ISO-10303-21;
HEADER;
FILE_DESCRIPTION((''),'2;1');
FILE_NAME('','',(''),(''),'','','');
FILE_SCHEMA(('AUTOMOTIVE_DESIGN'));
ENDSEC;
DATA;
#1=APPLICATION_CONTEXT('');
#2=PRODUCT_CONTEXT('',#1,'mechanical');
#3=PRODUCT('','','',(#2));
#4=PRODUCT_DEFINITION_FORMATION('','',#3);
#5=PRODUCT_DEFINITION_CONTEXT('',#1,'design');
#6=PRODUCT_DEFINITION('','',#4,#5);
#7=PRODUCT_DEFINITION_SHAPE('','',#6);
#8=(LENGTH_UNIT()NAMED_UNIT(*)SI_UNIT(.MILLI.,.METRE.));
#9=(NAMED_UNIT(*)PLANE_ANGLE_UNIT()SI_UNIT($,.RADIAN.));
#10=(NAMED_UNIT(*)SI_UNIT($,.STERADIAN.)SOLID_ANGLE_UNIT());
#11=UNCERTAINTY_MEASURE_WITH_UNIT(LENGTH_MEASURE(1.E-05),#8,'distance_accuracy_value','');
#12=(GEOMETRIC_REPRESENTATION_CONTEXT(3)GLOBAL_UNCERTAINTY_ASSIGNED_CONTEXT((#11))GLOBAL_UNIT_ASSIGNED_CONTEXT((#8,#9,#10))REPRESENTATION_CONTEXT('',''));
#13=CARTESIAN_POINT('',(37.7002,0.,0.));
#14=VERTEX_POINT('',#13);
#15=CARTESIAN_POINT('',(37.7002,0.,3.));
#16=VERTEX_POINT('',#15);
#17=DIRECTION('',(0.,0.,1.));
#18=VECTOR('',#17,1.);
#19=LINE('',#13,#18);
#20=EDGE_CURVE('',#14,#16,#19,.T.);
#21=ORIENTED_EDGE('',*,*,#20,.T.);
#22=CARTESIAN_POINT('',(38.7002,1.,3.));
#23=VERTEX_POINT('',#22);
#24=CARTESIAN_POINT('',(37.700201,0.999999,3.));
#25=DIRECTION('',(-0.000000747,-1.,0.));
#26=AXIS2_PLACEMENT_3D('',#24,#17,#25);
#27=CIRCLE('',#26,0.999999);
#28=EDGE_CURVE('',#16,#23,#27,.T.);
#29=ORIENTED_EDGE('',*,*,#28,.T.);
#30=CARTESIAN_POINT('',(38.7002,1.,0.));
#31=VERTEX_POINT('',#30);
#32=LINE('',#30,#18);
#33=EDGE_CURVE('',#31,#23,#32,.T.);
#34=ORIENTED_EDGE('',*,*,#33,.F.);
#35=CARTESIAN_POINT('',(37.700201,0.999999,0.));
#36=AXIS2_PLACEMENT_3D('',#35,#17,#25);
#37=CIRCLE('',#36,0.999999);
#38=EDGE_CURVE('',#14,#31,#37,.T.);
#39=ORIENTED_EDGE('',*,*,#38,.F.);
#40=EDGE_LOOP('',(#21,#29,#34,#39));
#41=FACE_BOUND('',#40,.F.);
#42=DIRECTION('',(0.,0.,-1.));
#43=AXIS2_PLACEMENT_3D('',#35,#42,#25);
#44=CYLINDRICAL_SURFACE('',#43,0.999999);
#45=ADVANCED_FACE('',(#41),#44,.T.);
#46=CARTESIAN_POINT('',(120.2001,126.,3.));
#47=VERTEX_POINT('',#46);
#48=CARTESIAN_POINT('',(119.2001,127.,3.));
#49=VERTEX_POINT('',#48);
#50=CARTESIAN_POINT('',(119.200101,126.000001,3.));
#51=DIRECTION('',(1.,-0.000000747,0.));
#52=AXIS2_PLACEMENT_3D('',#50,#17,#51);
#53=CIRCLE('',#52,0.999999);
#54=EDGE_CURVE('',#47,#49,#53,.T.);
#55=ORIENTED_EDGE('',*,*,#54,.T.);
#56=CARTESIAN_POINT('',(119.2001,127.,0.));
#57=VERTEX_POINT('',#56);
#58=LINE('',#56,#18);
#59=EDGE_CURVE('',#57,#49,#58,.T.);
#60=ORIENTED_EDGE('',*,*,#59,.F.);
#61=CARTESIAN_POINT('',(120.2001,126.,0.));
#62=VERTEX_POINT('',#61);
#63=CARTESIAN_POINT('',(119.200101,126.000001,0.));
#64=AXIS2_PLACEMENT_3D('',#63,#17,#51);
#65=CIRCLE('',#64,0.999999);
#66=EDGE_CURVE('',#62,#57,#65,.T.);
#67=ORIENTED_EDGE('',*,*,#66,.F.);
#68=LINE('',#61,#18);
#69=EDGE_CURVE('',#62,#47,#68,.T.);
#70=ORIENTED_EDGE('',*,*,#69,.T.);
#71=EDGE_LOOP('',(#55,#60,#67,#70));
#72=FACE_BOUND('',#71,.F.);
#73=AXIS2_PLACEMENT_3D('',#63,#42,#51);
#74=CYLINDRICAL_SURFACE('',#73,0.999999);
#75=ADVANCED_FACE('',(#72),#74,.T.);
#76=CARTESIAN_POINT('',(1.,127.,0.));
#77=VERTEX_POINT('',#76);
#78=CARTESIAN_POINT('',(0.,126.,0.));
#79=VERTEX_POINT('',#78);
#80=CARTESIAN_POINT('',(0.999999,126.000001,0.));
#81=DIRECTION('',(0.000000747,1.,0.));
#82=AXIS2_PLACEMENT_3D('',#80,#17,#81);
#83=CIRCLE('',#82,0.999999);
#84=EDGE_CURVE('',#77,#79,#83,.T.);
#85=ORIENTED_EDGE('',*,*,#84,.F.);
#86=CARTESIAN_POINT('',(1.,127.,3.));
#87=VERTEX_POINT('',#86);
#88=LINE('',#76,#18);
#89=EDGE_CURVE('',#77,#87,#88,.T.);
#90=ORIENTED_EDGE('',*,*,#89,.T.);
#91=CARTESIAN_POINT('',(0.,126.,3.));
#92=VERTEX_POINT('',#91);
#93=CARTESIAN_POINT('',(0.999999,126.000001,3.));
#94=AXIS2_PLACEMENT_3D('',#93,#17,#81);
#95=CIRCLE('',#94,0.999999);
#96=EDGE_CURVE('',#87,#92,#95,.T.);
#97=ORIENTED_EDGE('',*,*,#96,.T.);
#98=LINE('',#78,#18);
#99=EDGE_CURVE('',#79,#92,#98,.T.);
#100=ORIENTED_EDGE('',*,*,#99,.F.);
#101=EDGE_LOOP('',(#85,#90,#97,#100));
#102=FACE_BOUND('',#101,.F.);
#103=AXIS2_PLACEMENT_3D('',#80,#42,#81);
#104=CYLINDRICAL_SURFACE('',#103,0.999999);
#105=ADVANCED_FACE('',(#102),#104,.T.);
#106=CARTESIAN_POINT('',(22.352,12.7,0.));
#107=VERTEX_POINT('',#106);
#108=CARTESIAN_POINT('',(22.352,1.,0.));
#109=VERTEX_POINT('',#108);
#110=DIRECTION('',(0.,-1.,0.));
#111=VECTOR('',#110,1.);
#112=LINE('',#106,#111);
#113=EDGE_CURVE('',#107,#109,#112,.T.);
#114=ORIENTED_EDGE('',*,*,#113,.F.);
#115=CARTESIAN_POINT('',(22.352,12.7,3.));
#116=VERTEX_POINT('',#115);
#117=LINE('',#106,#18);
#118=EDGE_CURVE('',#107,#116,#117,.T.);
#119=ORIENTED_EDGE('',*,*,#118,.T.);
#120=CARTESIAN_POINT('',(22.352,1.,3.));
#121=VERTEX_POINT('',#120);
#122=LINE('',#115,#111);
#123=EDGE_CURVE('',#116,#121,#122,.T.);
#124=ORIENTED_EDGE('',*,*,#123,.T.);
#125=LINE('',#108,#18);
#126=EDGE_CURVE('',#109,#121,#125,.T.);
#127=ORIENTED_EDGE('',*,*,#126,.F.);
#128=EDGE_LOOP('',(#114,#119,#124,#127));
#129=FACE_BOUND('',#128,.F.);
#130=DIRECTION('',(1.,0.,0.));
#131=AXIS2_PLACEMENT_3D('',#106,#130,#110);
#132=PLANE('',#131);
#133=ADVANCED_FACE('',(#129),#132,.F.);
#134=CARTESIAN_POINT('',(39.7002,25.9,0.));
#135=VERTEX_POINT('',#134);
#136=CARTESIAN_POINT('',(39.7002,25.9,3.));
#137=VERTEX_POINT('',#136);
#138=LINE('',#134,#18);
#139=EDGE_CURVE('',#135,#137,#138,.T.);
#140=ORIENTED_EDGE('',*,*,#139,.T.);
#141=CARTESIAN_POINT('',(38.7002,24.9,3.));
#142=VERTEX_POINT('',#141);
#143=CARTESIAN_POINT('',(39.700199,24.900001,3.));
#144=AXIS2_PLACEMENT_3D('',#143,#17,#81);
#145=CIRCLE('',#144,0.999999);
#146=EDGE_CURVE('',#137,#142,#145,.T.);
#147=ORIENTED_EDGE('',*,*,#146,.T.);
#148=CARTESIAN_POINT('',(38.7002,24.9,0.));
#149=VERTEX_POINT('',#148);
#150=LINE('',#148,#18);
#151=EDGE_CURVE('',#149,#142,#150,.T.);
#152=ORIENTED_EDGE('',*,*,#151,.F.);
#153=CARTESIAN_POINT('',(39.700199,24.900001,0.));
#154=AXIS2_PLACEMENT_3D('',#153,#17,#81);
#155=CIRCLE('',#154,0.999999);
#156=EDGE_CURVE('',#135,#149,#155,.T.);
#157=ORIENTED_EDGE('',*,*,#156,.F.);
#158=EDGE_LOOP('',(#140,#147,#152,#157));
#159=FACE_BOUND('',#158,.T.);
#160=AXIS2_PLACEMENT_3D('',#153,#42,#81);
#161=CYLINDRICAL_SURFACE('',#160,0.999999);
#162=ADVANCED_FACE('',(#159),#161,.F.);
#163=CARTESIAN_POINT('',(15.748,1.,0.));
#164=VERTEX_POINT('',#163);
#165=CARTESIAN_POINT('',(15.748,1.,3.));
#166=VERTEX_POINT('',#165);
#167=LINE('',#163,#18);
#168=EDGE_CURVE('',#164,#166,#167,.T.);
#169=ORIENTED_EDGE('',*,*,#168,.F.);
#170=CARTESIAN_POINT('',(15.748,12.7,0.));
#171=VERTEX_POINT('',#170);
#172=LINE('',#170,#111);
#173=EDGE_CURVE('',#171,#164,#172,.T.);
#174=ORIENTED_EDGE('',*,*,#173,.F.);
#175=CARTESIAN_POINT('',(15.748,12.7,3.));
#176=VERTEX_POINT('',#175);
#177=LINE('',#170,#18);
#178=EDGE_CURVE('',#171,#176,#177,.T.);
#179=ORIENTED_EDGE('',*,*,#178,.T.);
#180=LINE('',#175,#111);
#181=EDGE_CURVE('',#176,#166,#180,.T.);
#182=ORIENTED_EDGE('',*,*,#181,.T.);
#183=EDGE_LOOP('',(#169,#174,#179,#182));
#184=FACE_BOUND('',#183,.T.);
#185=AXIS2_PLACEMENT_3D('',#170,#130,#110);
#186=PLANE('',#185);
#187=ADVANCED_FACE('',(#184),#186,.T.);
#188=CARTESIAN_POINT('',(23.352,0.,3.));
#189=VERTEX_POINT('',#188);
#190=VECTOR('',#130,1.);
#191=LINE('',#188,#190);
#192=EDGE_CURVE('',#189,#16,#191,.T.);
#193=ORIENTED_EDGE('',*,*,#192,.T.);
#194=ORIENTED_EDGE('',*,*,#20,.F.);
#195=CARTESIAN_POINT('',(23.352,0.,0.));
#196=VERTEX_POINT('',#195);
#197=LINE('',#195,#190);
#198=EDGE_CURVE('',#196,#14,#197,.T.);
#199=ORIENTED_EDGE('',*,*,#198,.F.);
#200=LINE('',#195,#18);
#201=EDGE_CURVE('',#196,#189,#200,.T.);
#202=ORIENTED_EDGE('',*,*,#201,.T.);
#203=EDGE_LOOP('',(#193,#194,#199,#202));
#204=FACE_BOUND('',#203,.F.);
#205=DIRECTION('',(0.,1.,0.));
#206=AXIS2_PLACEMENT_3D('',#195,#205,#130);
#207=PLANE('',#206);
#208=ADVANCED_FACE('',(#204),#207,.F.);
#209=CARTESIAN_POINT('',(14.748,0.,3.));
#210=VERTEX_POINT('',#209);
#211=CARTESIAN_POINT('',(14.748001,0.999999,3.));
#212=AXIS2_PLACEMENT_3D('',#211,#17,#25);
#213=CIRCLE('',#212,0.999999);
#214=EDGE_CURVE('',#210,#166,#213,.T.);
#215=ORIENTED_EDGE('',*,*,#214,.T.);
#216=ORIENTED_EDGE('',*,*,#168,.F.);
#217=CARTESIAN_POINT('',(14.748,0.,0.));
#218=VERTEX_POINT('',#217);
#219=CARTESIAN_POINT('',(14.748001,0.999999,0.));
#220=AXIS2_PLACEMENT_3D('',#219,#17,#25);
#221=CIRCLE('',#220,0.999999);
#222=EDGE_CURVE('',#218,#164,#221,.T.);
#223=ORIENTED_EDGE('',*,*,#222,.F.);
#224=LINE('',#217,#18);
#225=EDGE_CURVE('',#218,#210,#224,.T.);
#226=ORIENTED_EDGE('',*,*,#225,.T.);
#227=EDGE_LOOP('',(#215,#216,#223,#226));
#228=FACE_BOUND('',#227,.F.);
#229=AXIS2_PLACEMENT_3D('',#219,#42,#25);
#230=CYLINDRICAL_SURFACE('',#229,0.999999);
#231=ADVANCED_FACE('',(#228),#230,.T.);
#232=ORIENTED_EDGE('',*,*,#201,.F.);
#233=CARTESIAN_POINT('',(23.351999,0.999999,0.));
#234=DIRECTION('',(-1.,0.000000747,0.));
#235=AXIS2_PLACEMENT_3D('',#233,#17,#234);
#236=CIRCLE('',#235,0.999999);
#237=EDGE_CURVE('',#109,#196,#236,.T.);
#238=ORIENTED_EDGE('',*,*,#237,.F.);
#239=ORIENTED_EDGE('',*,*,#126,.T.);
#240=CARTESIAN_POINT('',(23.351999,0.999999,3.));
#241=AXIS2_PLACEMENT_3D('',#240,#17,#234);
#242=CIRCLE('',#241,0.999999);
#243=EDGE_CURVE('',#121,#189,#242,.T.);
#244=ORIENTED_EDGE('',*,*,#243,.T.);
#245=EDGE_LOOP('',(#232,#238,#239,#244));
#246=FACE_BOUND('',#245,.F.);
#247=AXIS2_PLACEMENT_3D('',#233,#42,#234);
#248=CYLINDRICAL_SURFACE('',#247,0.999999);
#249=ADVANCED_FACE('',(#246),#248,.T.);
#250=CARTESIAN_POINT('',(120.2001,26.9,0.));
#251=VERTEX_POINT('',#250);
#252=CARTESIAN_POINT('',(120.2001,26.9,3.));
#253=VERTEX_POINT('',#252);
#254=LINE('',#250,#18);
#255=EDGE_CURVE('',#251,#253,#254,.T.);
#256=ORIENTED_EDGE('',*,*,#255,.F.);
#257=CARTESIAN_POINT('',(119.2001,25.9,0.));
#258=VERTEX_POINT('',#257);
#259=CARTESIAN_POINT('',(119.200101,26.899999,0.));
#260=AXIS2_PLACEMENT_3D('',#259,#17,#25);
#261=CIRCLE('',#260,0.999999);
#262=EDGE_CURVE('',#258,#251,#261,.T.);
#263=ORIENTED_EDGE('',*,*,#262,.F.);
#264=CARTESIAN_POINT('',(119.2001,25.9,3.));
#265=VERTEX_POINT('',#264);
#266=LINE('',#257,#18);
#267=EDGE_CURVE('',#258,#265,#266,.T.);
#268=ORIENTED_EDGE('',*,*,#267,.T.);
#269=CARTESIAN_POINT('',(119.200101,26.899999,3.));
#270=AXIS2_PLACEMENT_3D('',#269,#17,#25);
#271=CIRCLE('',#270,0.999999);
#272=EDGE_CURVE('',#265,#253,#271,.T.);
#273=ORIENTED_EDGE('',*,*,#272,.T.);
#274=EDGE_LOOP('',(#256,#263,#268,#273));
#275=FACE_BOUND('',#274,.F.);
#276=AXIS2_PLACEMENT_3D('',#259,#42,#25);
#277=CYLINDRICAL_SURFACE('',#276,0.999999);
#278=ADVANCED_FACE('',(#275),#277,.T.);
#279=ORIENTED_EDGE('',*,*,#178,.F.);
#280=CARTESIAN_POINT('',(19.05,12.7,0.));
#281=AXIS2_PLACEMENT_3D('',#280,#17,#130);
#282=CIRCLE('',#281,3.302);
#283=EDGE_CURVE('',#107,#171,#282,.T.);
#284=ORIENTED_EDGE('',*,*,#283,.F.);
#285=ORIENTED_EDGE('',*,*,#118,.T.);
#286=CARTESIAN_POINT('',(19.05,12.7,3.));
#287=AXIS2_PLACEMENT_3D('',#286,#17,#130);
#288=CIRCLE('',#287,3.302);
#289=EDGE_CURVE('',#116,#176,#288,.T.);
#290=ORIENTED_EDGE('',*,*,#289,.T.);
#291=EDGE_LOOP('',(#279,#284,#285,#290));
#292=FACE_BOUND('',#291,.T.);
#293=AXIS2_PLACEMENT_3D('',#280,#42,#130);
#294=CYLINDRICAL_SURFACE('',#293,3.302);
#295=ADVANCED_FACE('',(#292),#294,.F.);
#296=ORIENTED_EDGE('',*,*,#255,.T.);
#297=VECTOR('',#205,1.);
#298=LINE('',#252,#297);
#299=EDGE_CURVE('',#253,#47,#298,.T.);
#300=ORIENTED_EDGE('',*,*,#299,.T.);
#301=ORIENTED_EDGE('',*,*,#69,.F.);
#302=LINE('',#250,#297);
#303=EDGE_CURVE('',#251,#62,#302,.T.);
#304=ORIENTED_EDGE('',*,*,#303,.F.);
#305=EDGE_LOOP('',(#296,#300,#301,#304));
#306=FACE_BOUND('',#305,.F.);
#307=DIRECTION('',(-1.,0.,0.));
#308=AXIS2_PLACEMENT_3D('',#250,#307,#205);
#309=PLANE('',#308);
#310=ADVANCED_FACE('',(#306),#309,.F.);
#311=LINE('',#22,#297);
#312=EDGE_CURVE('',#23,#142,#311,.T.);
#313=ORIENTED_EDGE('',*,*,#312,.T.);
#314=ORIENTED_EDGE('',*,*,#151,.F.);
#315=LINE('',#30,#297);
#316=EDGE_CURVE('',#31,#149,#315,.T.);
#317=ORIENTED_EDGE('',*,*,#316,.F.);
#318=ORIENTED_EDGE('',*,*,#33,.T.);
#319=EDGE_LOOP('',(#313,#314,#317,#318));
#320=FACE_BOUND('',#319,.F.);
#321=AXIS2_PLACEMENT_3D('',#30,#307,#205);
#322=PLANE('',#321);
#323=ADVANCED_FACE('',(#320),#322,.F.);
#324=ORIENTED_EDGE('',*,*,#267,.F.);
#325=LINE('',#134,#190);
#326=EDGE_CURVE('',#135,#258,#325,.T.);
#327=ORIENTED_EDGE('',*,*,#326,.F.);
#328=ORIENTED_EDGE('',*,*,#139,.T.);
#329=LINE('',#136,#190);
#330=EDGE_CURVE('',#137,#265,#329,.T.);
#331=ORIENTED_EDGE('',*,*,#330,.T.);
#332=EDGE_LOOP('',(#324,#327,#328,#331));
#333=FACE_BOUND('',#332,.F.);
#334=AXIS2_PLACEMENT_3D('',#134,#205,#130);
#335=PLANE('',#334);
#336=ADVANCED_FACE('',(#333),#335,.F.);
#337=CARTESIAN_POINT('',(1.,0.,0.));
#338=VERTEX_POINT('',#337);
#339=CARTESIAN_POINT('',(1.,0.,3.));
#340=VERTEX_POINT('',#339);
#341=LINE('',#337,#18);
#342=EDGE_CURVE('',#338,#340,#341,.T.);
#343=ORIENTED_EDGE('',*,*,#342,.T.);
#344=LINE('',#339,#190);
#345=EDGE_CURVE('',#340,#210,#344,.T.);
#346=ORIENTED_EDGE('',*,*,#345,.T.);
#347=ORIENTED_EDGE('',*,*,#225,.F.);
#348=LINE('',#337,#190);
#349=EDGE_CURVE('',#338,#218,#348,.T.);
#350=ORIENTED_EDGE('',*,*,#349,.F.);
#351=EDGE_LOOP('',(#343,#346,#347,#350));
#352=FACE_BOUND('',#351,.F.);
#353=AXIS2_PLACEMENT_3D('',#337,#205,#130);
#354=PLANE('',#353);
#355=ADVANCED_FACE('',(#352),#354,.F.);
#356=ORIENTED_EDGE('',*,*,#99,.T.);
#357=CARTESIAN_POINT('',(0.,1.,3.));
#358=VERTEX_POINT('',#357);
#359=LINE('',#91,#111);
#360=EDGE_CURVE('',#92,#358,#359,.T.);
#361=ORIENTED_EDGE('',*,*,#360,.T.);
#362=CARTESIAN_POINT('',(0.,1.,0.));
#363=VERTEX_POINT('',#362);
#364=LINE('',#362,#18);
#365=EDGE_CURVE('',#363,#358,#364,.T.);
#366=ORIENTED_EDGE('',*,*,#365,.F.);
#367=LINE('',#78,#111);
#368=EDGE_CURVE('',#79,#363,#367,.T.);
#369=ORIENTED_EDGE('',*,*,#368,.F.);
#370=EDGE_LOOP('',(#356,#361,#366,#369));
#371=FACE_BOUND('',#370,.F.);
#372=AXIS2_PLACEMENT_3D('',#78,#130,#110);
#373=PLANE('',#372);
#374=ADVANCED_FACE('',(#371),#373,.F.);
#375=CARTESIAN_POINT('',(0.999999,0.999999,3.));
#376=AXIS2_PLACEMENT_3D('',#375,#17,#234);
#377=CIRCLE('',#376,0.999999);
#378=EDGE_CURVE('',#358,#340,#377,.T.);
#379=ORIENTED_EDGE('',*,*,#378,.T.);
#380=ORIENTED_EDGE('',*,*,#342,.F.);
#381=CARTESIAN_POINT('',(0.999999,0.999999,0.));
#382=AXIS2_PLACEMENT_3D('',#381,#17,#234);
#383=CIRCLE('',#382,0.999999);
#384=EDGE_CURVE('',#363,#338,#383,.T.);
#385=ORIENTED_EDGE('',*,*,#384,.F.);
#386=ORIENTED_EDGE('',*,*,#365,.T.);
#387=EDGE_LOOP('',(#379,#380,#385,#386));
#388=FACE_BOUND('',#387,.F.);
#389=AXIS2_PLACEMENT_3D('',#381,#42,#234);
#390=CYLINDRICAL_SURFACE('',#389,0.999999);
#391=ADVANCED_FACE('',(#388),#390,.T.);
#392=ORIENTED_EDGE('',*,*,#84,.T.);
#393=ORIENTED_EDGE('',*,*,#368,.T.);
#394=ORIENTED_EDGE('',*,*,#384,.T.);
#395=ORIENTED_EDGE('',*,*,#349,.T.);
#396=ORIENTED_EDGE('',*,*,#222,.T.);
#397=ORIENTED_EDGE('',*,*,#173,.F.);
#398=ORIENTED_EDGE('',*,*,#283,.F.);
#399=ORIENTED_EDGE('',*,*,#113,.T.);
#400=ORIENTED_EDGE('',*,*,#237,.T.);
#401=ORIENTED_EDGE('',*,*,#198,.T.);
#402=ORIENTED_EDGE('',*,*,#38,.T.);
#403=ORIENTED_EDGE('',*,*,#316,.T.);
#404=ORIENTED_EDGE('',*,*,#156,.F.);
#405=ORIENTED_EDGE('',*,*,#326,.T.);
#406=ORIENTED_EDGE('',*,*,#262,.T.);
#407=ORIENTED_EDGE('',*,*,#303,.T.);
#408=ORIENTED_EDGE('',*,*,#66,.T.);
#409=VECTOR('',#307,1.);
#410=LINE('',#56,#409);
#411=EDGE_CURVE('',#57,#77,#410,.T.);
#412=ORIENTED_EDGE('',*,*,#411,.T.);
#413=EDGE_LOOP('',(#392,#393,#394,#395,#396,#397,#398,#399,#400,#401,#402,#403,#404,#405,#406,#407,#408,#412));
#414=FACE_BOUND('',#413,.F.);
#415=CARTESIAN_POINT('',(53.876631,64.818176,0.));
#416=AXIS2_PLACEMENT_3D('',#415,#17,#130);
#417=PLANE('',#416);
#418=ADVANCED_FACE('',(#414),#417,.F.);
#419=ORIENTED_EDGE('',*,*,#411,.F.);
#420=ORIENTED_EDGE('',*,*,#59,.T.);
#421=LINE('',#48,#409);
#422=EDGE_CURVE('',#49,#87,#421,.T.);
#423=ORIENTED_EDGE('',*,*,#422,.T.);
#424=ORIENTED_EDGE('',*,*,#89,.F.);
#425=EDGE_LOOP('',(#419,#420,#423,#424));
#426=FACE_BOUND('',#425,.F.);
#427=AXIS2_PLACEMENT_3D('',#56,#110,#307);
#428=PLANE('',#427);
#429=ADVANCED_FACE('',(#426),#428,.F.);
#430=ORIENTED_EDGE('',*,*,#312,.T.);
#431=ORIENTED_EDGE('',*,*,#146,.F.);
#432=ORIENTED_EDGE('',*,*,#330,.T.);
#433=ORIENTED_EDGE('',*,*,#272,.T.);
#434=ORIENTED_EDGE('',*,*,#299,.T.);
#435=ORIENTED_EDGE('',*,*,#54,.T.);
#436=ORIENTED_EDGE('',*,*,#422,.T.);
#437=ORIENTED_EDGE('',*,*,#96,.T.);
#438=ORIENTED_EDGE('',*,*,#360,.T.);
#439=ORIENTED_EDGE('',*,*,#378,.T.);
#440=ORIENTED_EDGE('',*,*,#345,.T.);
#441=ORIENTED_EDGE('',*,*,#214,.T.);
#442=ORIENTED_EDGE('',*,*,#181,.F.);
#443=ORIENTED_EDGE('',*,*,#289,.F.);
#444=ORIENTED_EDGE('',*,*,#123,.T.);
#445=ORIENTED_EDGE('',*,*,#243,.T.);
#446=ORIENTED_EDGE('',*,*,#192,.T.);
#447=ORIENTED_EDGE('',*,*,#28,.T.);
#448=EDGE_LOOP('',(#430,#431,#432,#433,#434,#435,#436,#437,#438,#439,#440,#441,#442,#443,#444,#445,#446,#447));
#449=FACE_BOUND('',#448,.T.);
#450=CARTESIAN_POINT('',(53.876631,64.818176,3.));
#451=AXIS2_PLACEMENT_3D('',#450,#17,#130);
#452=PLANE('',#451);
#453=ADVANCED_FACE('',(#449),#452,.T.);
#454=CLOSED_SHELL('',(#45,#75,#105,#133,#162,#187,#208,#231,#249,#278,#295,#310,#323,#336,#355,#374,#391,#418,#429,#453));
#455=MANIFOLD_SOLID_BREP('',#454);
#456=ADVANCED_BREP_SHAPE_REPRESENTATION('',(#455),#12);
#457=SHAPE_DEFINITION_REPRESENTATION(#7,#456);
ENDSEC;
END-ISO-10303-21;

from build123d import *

# Parameters (mm, degrees)
PAD_DEPTH = 3


with BuildPart() as part:
    # Sketch → Pad (new body)
    with BuildSketch(Plane.XY):
        with BuildLine():
            Line((0, 126), (0, 1))
            ThreePointArc((0, 1), (0.292893, 0.292893), (1, 0))
            Line((1, 0), (14.748, 0))
            ThreePointArc((14.748, 0), (15.455107, 0.292893), (15.748, 1))
            Line((15.748, 12.7), (15.748, 1))
            ThreePointArc((22.352, 12.7), (19.05, 16.002), (15.748, 12.7))
            Line((22.352, 12.7), (22.352, 1))
            ThreePointArc((22.352, 1), (22.644893, 0.292893), (23.352, 0))
            Line((23.352, 0), (37.7002, 0))
            ThreePointArc((37.7002, 0), (38.407307, 0.292893), (38.7002, 1))
            Line((38.7002, 1), (38.7002, 24.9))
            ThreePointArc((39.7002, 25.9), (38.993093, 25.607107), (38.7002, 24.9))
            Line((39.7002, 25.9), (119.2001, 25.9))
            ThreePointArc((119.2001, 25.9), (119.907207, 26.192893), (120.2001, 26.9))
            Line((120.2001, 26.9), (120.2001, 126))
            ThreePointArc((120.2001, 126), (119.907207, 126.707107), (119.2001, 127))
            Line((119.2001, 127), (1, 127))
            ThreePointArc((1, 127), (0.292893, 126.707107), (0, 126))
        make_face()
    extrude(amount=PAD_DEPTH)


solid = part.part
